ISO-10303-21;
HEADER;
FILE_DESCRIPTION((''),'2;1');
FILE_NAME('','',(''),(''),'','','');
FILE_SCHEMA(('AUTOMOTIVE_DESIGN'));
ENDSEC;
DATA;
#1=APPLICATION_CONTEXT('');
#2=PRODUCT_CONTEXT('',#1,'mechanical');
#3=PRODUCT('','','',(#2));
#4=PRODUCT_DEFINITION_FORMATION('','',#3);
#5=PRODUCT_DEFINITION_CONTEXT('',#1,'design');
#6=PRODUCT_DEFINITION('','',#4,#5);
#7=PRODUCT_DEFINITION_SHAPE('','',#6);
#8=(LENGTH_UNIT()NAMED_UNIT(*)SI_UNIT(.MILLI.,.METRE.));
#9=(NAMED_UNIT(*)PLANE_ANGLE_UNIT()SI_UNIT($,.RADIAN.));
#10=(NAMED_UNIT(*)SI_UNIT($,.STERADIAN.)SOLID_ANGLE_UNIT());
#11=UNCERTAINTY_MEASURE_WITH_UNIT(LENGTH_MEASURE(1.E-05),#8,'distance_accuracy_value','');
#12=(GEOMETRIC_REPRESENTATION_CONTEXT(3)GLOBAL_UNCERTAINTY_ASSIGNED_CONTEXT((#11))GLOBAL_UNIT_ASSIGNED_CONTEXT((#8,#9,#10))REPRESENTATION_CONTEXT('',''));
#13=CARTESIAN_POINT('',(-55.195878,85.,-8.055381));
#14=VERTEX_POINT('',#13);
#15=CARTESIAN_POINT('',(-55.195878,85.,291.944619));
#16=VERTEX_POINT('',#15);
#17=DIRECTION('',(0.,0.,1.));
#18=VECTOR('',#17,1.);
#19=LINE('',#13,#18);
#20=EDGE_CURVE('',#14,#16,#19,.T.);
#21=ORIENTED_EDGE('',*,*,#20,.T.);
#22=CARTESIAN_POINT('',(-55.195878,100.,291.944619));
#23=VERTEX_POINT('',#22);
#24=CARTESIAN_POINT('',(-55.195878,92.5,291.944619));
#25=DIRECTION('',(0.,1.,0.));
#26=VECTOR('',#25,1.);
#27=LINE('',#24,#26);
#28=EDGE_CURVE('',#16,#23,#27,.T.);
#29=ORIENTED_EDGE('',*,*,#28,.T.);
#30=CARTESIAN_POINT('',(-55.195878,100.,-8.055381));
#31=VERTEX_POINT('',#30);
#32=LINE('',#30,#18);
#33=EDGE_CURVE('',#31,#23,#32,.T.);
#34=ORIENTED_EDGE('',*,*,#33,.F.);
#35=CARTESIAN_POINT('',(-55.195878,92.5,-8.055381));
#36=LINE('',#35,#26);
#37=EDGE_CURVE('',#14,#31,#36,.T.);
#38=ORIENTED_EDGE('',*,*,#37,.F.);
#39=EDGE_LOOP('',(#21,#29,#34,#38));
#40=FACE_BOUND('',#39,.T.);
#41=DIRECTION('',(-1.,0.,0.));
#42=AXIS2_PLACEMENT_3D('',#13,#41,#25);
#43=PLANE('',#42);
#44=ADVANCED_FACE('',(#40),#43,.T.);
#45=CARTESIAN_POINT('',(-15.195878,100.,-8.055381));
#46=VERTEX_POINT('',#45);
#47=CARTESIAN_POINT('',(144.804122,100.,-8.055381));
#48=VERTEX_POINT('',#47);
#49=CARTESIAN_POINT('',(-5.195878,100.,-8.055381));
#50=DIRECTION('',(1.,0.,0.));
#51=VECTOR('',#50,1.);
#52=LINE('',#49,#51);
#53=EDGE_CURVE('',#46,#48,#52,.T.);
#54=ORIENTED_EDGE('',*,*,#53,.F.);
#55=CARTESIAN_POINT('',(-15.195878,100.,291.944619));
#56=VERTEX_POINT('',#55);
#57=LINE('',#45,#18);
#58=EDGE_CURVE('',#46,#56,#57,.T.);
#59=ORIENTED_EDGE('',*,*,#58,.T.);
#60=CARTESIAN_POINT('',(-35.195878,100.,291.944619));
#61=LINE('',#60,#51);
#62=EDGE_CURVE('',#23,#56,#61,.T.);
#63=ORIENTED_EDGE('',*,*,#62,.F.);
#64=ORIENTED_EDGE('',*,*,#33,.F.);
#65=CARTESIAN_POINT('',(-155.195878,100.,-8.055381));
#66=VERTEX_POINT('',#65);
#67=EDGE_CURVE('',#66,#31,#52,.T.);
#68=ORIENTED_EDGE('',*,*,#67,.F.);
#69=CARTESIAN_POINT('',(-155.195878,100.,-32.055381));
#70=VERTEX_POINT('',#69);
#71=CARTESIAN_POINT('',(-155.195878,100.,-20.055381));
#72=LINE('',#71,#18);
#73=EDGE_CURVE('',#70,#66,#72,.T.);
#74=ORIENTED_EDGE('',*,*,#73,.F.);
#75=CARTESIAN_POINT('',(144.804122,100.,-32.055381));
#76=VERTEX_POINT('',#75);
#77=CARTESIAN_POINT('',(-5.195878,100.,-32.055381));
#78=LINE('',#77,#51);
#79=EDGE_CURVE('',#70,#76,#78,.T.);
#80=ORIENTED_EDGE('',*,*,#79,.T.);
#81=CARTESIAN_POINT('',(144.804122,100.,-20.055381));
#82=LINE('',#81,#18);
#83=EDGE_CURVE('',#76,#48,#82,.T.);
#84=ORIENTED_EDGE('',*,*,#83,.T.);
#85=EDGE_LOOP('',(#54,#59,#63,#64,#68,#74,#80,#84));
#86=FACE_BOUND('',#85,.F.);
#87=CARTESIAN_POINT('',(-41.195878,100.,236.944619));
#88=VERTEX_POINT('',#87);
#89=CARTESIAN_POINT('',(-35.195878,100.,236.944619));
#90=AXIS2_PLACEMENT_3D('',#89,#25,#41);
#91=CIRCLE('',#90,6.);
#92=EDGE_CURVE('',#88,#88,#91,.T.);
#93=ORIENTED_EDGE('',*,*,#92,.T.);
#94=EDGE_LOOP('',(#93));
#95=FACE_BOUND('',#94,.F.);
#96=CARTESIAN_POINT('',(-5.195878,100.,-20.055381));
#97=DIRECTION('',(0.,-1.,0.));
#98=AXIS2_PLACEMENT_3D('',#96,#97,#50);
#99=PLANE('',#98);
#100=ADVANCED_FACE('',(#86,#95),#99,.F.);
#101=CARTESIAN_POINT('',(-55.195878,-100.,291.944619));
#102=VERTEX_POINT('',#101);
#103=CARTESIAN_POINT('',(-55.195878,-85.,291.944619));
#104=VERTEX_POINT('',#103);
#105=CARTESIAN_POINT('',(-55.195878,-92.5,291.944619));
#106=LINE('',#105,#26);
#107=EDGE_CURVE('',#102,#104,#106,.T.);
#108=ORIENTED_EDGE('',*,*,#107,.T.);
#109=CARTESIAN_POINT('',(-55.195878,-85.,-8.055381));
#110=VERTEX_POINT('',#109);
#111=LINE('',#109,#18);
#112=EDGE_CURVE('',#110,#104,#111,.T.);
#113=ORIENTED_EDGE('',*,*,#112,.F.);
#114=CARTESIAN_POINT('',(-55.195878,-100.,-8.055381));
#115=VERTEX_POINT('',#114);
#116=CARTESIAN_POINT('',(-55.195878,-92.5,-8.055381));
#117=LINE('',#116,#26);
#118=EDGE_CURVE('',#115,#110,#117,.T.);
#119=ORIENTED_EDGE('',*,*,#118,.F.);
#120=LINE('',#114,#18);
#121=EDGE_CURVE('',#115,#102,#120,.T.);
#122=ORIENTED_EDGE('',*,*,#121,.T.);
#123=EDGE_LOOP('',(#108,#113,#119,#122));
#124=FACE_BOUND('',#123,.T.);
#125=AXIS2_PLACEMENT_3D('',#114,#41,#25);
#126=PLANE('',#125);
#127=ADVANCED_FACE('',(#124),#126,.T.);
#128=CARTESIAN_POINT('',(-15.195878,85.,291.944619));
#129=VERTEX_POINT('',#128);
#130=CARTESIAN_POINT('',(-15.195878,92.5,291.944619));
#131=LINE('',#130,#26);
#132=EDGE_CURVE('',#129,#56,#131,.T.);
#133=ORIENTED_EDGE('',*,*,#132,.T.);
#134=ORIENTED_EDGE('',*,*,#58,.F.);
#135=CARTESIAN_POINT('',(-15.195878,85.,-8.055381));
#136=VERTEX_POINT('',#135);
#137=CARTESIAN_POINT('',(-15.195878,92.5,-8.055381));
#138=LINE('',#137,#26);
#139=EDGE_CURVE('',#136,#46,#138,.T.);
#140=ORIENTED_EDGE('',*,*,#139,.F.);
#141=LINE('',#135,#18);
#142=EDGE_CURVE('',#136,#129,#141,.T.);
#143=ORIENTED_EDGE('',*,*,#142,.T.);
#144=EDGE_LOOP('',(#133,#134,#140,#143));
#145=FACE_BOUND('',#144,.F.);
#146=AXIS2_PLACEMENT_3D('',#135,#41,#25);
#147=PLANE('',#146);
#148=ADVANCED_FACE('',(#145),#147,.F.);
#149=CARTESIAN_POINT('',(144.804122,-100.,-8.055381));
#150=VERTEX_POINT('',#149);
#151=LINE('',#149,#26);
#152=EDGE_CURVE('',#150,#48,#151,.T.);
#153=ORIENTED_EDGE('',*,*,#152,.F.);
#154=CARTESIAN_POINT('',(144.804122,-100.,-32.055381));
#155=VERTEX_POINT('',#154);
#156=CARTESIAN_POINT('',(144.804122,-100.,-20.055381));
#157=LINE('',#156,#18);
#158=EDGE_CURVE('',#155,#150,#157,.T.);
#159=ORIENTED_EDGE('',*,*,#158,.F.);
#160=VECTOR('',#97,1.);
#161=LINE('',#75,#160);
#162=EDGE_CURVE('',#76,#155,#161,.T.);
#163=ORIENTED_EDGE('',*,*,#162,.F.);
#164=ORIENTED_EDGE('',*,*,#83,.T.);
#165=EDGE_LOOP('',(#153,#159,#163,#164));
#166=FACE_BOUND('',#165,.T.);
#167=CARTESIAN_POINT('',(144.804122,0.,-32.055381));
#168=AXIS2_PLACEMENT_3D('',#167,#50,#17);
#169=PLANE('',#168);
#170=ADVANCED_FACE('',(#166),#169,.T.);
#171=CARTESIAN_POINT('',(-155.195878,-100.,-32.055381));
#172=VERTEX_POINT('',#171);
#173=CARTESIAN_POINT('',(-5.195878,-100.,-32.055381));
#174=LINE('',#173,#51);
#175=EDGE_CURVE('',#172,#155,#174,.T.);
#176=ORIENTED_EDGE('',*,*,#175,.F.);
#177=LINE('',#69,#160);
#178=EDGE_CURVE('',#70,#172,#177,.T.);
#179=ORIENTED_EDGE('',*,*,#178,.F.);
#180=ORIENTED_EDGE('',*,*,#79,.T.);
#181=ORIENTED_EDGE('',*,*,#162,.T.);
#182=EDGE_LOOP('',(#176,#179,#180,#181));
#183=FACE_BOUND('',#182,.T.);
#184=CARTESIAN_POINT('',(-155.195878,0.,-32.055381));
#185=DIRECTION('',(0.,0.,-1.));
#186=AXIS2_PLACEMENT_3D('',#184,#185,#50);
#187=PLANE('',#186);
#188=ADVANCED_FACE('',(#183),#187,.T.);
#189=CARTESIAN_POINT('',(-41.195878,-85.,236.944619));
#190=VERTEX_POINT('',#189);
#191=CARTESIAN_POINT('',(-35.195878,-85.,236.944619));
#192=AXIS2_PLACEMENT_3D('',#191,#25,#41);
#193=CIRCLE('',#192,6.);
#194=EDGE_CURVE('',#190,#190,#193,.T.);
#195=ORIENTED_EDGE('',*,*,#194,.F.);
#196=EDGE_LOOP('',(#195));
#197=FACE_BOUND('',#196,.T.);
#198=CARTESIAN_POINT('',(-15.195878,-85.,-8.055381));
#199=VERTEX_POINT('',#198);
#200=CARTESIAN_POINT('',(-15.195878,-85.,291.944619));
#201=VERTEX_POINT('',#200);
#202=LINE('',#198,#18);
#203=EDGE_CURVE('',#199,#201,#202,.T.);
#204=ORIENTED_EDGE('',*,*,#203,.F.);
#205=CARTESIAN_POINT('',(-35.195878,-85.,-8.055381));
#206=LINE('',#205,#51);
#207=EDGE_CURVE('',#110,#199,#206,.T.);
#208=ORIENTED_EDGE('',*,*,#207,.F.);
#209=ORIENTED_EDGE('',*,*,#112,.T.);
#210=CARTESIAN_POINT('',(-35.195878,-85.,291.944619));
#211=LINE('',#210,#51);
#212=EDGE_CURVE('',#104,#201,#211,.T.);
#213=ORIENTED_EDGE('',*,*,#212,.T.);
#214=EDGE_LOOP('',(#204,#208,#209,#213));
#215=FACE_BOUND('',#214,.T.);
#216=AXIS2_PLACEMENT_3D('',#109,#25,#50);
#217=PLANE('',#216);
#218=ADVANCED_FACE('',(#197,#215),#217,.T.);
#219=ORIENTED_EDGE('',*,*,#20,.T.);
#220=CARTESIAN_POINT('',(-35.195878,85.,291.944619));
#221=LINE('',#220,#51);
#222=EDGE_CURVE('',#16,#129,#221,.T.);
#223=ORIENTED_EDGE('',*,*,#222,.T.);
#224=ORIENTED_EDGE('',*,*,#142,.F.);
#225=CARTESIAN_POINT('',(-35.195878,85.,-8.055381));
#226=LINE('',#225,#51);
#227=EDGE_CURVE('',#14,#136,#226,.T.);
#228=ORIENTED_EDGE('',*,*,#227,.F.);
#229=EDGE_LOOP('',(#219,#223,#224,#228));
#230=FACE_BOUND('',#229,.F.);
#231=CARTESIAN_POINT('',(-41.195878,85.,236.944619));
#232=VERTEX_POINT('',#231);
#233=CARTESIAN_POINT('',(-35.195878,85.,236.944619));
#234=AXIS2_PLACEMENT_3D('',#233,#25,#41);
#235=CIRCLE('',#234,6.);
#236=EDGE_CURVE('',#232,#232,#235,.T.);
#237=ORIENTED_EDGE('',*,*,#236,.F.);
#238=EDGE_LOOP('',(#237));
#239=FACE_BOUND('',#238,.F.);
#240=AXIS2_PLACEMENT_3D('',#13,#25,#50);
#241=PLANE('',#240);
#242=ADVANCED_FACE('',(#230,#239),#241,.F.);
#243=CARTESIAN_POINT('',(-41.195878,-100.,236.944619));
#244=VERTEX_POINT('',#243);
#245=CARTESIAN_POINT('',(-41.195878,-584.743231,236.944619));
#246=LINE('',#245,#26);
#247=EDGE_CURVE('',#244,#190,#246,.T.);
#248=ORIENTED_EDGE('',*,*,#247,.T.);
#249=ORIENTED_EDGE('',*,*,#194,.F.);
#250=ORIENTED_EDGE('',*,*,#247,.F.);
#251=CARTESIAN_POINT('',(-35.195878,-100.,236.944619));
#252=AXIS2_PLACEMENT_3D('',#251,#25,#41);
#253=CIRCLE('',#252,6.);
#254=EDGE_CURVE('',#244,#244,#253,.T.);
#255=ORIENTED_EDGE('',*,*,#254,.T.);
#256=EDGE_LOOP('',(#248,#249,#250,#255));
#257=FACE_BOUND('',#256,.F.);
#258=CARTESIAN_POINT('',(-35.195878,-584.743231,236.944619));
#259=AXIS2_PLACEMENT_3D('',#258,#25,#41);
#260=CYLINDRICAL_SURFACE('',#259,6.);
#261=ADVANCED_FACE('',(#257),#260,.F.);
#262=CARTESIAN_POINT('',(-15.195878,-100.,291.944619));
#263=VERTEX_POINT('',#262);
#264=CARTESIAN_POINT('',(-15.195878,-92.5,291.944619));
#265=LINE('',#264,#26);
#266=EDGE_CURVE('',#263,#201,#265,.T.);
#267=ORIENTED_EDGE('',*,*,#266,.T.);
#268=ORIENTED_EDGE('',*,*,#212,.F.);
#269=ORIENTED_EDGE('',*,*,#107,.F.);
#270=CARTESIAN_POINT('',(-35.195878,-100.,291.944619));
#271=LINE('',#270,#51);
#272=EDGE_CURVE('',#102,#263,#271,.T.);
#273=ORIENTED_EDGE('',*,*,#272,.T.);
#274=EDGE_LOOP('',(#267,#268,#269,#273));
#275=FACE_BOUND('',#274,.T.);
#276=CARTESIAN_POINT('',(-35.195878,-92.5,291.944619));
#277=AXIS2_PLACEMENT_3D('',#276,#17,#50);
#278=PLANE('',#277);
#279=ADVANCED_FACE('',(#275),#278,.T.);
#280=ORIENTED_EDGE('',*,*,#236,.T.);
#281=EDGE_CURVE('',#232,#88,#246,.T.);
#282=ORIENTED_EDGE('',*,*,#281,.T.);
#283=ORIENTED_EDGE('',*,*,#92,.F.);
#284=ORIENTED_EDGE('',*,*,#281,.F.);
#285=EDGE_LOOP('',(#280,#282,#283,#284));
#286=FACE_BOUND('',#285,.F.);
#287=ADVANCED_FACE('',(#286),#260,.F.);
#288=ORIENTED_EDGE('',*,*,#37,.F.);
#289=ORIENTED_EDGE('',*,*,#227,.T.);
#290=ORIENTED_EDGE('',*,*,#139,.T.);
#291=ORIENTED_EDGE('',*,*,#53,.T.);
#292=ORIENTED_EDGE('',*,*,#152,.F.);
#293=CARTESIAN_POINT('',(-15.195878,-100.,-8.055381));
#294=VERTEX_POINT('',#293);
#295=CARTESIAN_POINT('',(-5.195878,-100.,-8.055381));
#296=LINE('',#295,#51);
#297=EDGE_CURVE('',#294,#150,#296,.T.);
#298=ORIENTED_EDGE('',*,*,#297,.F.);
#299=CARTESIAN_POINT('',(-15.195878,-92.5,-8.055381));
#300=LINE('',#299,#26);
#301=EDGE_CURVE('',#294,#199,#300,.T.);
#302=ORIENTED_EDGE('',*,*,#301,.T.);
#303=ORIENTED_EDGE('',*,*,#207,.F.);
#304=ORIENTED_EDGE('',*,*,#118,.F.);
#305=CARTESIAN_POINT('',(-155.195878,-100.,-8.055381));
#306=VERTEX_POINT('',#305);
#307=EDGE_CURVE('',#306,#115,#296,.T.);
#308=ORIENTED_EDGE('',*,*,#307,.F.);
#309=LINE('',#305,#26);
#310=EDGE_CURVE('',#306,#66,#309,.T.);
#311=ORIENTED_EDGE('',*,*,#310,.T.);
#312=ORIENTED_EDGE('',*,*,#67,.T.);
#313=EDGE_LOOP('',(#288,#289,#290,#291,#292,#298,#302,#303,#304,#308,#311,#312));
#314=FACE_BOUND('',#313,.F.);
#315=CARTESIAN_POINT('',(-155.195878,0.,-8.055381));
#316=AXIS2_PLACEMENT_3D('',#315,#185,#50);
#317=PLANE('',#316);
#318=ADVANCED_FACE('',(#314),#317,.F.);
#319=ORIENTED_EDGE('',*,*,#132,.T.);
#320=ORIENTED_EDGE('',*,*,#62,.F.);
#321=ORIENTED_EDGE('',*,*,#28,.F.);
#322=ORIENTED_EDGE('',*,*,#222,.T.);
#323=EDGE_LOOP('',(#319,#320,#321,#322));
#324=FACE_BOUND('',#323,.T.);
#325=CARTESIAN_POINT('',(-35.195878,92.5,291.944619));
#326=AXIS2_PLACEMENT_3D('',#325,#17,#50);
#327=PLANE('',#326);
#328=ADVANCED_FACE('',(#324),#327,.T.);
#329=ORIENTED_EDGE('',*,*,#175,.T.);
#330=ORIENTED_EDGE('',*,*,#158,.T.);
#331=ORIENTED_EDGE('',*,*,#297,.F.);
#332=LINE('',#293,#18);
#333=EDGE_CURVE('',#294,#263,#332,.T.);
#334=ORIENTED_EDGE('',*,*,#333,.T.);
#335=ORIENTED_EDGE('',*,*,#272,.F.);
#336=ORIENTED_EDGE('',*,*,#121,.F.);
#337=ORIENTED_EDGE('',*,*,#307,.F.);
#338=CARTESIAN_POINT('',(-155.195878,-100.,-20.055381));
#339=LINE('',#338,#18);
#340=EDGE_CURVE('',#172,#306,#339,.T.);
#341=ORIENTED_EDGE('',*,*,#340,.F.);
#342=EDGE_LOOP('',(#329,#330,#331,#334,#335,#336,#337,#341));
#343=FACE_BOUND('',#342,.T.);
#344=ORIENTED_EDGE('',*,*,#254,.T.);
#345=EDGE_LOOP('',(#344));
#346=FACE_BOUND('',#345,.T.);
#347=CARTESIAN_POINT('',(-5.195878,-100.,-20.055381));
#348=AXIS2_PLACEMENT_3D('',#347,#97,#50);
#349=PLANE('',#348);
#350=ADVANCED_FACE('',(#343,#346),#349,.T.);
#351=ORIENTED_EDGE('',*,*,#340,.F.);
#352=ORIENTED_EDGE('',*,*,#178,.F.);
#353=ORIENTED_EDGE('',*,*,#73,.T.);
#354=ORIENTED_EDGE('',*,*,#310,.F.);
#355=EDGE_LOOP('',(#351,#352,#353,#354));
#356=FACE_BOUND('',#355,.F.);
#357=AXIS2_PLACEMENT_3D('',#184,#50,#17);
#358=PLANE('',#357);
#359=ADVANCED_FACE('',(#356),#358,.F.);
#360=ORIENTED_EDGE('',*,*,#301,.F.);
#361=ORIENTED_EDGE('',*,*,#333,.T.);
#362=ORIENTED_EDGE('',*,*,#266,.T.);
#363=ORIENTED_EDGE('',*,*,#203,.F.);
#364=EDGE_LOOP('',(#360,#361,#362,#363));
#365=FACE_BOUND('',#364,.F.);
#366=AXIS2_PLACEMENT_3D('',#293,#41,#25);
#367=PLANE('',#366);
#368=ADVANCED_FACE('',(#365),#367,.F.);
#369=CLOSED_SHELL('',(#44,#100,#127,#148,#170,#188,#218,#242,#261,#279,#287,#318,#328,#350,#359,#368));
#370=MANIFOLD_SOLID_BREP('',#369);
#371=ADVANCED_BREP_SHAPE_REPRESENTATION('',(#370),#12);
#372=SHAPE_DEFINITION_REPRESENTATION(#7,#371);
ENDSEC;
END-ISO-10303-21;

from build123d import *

# Parameters (mm, degrees)
F0_W     = 300
F0_H     = 24
F1_DEPTH = 100
F2_W     = 40
F2_H     = 15
F3_DEPTH = 300
F5_D     = 12


with BuildPart() as f1:
    # F0 (on Front) → F1 (new body, symmetric)
    with BuildSketch(Plane.XZ):
        with Locations((-5.195878, -20.055381)):
            Rectangle(F0_W, F0_H)
    extrude(amount=F1_DEPTH, both=True)

    # F2 (on face) → F3 (join)
    with BuildSketch(Plane.XY.offset(-8.055381)):
        with Locations((-35.195878, -92.5)):
            Rectangle(F2_W, F2_H)
        with Locations((-35.195878, 92.5)):
            Rectangle(F2_W, F2_H)
    extrude(amount=F3_DEPTH)

    # F5 (through all)
    with Locations(Plane.XZ.offset(100)):
        with Locations((-35.195878, 236.944619)):
            Hole(F5_D / 2)


solid = f1.part
